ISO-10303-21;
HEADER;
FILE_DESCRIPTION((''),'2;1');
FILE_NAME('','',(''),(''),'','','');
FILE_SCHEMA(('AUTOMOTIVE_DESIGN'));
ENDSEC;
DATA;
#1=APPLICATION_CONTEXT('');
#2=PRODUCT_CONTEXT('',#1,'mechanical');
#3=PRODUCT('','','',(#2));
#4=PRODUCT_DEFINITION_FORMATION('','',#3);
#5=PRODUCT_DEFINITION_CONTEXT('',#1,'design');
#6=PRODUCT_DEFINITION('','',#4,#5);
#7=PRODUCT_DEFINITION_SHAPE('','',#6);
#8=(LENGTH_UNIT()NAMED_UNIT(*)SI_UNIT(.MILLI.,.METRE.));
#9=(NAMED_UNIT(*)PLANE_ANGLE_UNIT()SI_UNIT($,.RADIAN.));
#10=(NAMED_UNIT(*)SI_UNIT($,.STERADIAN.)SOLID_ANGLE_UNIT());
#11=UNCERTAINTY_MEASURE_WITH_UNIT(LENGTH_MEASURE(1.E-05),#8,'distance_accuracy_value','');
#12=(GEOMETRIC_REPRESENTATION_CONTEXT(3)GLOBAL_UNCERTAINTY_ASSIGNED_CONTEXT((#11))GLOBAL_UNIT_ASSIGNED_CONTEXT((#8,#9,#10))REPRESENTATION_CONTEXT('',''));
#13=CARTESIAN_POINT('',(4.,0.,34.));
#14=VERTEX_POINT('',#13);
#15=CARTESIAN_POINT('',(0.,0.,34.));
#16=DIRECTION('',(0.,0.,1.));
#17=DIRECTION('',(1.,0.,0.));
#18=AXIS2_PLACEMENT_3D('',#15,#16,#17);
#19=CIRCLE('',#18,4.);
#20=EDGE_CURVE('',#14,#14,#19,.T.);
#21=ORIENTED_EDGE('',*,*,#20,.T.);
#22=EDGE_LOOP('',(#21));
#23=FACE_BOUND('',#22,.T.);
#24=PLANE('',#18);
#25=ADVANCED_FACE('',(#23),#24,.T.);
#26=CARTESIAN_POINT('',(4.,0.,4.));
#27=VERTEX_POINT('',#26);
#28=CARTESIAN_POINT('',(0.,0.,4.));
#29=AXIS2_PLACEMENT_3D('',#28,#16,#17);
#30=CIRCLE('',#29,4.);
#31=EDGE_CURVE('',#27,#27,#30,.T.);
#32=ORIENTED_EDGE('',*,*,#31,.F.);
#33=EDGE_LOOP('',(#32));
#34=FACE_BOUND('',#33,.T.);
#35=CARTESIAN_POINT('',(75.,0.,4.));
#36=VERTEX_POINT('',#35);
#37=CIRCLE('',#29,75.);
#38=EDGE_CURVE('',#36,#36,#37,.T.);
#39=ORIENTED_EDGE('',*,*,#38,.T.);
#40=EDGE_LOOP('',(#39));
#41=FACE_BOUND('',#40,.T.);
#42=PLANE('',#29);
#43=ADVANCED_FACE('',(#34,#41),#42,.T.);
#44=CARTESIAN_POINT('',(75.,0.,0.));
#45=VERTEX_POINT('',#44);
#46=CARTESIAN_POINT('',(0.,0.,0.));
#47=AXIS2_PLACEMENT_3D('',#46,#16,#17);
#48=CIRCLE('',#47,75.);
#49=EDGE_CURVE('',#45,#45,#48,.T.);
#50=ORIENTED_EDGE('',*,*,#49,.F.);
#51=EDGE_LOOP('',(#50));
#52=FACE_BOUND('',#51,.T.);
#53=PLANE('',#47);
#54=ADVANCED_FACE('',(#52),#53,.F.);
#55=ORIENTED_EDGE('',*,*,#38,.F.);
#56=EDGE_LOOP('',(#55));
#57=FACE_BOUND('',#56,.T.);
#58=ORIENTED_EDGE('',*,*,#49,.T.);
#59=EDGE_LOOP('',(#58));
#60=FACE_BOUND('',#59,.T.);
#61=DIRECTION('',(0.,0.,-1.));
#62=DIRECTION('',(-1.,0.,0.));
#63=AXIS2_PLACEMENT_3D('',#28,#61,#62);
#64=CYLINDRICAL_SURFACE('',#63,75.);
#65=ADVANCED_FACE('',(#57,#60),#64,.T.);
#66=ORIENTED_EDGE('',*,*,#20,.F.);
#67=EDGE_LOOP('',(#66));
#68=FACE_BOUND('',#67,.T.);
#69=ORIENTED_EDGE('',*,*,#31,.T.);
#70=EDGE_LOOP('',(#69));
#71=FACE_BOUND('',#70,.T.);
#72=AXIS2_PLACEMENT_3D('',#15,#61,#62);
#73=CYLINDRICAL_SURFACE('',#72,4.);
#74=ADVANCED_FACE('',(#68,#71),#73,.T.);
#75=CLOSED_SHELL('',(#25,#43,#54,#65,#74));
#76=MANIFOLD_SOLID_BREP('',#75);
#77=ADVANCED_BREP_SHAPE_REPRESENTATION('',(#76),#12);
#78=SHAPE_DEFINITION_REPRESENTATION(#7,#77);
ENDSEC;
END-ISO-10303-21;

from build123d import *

# Parameters (mm, degrees)
SKETCH2_R           = 75
BOSS_EXTRUDE1_DEPTH = 4
SKETCH3_R           = 4
BOSS_EXTRUDE2_DEPTH = 30


with BuildPart() as part:
    # Sketch2 → Boss-Extrude1 (new body)
    with BuildSketch(Plane.XY):
        Circle(SKETCH2_R)
    extrude(amount=BOSS_EXTRUDE1_DEPTH)

    # Sketch3 → Boss-Extrude2 (add)
    with BuildSketch(Plane.XY.offset(4)):
        Circle(SKETCH3_R)
    extrude(amount=BOSS_EXTRUDE2_DEPTH)


solid = part.part
